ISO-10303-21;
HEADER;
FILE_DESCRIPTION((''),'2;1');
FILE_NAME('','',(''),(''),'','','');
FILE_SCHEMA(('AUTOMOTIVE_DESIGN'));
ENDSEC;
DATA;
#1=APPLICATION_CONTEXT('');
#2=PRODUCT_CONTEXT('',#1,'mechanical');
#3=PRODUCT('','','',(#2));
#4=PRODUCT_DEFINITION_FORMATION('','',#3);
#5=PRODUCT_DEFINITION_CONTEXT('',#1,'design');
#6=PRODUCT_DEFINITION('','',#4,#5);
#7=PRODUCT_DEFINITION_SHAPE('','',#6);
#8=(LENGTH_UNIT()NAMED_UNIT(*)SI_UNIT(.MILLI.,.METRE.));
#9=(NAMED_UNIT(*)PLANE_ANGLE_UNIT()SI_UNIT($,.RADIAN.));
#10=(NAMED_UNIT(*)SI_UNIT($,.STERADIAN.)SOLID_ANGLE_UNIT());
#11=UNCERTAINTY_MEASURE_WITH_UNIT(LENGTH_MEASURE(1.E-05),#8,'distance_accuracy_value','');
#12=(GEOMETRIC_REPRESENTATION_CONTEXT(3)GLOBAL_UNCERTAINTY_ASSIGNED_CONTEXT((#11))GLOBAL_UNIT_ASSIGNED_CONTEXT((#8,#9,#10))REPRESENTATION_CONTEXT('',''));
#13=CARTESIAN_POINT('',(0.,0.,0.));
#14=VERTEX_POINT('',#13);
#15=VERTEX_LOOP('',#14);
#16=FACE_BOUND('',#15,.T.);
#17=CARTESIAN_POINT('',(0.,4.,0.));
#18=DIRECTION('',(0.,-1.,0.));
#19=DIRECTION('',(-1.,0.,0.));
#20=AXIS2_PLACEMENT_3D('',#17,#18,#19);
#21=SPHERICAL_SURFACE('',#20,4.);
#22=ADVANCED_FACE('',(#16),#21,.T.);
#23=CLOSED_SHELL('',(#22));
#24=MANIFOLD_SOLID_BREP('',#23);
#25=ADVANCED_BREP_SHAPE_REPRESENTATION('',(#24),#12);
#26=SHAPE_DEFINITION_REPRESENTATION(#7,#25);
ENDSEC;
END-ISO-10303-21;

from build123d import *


with BuildPart() as part:
    # Szkic1 → Obrót2 (revolve)
    with BuildSketch(Plane.XY):
        with BuildLine():
            Line((0, 8), (0, 0))
            ThreePointArc((0, 0), (4, 4), (0, 8))
        make_face()
    revolve(axis=Axis((0, 0, 0), (0, 1, 0)))


solid = part.part
